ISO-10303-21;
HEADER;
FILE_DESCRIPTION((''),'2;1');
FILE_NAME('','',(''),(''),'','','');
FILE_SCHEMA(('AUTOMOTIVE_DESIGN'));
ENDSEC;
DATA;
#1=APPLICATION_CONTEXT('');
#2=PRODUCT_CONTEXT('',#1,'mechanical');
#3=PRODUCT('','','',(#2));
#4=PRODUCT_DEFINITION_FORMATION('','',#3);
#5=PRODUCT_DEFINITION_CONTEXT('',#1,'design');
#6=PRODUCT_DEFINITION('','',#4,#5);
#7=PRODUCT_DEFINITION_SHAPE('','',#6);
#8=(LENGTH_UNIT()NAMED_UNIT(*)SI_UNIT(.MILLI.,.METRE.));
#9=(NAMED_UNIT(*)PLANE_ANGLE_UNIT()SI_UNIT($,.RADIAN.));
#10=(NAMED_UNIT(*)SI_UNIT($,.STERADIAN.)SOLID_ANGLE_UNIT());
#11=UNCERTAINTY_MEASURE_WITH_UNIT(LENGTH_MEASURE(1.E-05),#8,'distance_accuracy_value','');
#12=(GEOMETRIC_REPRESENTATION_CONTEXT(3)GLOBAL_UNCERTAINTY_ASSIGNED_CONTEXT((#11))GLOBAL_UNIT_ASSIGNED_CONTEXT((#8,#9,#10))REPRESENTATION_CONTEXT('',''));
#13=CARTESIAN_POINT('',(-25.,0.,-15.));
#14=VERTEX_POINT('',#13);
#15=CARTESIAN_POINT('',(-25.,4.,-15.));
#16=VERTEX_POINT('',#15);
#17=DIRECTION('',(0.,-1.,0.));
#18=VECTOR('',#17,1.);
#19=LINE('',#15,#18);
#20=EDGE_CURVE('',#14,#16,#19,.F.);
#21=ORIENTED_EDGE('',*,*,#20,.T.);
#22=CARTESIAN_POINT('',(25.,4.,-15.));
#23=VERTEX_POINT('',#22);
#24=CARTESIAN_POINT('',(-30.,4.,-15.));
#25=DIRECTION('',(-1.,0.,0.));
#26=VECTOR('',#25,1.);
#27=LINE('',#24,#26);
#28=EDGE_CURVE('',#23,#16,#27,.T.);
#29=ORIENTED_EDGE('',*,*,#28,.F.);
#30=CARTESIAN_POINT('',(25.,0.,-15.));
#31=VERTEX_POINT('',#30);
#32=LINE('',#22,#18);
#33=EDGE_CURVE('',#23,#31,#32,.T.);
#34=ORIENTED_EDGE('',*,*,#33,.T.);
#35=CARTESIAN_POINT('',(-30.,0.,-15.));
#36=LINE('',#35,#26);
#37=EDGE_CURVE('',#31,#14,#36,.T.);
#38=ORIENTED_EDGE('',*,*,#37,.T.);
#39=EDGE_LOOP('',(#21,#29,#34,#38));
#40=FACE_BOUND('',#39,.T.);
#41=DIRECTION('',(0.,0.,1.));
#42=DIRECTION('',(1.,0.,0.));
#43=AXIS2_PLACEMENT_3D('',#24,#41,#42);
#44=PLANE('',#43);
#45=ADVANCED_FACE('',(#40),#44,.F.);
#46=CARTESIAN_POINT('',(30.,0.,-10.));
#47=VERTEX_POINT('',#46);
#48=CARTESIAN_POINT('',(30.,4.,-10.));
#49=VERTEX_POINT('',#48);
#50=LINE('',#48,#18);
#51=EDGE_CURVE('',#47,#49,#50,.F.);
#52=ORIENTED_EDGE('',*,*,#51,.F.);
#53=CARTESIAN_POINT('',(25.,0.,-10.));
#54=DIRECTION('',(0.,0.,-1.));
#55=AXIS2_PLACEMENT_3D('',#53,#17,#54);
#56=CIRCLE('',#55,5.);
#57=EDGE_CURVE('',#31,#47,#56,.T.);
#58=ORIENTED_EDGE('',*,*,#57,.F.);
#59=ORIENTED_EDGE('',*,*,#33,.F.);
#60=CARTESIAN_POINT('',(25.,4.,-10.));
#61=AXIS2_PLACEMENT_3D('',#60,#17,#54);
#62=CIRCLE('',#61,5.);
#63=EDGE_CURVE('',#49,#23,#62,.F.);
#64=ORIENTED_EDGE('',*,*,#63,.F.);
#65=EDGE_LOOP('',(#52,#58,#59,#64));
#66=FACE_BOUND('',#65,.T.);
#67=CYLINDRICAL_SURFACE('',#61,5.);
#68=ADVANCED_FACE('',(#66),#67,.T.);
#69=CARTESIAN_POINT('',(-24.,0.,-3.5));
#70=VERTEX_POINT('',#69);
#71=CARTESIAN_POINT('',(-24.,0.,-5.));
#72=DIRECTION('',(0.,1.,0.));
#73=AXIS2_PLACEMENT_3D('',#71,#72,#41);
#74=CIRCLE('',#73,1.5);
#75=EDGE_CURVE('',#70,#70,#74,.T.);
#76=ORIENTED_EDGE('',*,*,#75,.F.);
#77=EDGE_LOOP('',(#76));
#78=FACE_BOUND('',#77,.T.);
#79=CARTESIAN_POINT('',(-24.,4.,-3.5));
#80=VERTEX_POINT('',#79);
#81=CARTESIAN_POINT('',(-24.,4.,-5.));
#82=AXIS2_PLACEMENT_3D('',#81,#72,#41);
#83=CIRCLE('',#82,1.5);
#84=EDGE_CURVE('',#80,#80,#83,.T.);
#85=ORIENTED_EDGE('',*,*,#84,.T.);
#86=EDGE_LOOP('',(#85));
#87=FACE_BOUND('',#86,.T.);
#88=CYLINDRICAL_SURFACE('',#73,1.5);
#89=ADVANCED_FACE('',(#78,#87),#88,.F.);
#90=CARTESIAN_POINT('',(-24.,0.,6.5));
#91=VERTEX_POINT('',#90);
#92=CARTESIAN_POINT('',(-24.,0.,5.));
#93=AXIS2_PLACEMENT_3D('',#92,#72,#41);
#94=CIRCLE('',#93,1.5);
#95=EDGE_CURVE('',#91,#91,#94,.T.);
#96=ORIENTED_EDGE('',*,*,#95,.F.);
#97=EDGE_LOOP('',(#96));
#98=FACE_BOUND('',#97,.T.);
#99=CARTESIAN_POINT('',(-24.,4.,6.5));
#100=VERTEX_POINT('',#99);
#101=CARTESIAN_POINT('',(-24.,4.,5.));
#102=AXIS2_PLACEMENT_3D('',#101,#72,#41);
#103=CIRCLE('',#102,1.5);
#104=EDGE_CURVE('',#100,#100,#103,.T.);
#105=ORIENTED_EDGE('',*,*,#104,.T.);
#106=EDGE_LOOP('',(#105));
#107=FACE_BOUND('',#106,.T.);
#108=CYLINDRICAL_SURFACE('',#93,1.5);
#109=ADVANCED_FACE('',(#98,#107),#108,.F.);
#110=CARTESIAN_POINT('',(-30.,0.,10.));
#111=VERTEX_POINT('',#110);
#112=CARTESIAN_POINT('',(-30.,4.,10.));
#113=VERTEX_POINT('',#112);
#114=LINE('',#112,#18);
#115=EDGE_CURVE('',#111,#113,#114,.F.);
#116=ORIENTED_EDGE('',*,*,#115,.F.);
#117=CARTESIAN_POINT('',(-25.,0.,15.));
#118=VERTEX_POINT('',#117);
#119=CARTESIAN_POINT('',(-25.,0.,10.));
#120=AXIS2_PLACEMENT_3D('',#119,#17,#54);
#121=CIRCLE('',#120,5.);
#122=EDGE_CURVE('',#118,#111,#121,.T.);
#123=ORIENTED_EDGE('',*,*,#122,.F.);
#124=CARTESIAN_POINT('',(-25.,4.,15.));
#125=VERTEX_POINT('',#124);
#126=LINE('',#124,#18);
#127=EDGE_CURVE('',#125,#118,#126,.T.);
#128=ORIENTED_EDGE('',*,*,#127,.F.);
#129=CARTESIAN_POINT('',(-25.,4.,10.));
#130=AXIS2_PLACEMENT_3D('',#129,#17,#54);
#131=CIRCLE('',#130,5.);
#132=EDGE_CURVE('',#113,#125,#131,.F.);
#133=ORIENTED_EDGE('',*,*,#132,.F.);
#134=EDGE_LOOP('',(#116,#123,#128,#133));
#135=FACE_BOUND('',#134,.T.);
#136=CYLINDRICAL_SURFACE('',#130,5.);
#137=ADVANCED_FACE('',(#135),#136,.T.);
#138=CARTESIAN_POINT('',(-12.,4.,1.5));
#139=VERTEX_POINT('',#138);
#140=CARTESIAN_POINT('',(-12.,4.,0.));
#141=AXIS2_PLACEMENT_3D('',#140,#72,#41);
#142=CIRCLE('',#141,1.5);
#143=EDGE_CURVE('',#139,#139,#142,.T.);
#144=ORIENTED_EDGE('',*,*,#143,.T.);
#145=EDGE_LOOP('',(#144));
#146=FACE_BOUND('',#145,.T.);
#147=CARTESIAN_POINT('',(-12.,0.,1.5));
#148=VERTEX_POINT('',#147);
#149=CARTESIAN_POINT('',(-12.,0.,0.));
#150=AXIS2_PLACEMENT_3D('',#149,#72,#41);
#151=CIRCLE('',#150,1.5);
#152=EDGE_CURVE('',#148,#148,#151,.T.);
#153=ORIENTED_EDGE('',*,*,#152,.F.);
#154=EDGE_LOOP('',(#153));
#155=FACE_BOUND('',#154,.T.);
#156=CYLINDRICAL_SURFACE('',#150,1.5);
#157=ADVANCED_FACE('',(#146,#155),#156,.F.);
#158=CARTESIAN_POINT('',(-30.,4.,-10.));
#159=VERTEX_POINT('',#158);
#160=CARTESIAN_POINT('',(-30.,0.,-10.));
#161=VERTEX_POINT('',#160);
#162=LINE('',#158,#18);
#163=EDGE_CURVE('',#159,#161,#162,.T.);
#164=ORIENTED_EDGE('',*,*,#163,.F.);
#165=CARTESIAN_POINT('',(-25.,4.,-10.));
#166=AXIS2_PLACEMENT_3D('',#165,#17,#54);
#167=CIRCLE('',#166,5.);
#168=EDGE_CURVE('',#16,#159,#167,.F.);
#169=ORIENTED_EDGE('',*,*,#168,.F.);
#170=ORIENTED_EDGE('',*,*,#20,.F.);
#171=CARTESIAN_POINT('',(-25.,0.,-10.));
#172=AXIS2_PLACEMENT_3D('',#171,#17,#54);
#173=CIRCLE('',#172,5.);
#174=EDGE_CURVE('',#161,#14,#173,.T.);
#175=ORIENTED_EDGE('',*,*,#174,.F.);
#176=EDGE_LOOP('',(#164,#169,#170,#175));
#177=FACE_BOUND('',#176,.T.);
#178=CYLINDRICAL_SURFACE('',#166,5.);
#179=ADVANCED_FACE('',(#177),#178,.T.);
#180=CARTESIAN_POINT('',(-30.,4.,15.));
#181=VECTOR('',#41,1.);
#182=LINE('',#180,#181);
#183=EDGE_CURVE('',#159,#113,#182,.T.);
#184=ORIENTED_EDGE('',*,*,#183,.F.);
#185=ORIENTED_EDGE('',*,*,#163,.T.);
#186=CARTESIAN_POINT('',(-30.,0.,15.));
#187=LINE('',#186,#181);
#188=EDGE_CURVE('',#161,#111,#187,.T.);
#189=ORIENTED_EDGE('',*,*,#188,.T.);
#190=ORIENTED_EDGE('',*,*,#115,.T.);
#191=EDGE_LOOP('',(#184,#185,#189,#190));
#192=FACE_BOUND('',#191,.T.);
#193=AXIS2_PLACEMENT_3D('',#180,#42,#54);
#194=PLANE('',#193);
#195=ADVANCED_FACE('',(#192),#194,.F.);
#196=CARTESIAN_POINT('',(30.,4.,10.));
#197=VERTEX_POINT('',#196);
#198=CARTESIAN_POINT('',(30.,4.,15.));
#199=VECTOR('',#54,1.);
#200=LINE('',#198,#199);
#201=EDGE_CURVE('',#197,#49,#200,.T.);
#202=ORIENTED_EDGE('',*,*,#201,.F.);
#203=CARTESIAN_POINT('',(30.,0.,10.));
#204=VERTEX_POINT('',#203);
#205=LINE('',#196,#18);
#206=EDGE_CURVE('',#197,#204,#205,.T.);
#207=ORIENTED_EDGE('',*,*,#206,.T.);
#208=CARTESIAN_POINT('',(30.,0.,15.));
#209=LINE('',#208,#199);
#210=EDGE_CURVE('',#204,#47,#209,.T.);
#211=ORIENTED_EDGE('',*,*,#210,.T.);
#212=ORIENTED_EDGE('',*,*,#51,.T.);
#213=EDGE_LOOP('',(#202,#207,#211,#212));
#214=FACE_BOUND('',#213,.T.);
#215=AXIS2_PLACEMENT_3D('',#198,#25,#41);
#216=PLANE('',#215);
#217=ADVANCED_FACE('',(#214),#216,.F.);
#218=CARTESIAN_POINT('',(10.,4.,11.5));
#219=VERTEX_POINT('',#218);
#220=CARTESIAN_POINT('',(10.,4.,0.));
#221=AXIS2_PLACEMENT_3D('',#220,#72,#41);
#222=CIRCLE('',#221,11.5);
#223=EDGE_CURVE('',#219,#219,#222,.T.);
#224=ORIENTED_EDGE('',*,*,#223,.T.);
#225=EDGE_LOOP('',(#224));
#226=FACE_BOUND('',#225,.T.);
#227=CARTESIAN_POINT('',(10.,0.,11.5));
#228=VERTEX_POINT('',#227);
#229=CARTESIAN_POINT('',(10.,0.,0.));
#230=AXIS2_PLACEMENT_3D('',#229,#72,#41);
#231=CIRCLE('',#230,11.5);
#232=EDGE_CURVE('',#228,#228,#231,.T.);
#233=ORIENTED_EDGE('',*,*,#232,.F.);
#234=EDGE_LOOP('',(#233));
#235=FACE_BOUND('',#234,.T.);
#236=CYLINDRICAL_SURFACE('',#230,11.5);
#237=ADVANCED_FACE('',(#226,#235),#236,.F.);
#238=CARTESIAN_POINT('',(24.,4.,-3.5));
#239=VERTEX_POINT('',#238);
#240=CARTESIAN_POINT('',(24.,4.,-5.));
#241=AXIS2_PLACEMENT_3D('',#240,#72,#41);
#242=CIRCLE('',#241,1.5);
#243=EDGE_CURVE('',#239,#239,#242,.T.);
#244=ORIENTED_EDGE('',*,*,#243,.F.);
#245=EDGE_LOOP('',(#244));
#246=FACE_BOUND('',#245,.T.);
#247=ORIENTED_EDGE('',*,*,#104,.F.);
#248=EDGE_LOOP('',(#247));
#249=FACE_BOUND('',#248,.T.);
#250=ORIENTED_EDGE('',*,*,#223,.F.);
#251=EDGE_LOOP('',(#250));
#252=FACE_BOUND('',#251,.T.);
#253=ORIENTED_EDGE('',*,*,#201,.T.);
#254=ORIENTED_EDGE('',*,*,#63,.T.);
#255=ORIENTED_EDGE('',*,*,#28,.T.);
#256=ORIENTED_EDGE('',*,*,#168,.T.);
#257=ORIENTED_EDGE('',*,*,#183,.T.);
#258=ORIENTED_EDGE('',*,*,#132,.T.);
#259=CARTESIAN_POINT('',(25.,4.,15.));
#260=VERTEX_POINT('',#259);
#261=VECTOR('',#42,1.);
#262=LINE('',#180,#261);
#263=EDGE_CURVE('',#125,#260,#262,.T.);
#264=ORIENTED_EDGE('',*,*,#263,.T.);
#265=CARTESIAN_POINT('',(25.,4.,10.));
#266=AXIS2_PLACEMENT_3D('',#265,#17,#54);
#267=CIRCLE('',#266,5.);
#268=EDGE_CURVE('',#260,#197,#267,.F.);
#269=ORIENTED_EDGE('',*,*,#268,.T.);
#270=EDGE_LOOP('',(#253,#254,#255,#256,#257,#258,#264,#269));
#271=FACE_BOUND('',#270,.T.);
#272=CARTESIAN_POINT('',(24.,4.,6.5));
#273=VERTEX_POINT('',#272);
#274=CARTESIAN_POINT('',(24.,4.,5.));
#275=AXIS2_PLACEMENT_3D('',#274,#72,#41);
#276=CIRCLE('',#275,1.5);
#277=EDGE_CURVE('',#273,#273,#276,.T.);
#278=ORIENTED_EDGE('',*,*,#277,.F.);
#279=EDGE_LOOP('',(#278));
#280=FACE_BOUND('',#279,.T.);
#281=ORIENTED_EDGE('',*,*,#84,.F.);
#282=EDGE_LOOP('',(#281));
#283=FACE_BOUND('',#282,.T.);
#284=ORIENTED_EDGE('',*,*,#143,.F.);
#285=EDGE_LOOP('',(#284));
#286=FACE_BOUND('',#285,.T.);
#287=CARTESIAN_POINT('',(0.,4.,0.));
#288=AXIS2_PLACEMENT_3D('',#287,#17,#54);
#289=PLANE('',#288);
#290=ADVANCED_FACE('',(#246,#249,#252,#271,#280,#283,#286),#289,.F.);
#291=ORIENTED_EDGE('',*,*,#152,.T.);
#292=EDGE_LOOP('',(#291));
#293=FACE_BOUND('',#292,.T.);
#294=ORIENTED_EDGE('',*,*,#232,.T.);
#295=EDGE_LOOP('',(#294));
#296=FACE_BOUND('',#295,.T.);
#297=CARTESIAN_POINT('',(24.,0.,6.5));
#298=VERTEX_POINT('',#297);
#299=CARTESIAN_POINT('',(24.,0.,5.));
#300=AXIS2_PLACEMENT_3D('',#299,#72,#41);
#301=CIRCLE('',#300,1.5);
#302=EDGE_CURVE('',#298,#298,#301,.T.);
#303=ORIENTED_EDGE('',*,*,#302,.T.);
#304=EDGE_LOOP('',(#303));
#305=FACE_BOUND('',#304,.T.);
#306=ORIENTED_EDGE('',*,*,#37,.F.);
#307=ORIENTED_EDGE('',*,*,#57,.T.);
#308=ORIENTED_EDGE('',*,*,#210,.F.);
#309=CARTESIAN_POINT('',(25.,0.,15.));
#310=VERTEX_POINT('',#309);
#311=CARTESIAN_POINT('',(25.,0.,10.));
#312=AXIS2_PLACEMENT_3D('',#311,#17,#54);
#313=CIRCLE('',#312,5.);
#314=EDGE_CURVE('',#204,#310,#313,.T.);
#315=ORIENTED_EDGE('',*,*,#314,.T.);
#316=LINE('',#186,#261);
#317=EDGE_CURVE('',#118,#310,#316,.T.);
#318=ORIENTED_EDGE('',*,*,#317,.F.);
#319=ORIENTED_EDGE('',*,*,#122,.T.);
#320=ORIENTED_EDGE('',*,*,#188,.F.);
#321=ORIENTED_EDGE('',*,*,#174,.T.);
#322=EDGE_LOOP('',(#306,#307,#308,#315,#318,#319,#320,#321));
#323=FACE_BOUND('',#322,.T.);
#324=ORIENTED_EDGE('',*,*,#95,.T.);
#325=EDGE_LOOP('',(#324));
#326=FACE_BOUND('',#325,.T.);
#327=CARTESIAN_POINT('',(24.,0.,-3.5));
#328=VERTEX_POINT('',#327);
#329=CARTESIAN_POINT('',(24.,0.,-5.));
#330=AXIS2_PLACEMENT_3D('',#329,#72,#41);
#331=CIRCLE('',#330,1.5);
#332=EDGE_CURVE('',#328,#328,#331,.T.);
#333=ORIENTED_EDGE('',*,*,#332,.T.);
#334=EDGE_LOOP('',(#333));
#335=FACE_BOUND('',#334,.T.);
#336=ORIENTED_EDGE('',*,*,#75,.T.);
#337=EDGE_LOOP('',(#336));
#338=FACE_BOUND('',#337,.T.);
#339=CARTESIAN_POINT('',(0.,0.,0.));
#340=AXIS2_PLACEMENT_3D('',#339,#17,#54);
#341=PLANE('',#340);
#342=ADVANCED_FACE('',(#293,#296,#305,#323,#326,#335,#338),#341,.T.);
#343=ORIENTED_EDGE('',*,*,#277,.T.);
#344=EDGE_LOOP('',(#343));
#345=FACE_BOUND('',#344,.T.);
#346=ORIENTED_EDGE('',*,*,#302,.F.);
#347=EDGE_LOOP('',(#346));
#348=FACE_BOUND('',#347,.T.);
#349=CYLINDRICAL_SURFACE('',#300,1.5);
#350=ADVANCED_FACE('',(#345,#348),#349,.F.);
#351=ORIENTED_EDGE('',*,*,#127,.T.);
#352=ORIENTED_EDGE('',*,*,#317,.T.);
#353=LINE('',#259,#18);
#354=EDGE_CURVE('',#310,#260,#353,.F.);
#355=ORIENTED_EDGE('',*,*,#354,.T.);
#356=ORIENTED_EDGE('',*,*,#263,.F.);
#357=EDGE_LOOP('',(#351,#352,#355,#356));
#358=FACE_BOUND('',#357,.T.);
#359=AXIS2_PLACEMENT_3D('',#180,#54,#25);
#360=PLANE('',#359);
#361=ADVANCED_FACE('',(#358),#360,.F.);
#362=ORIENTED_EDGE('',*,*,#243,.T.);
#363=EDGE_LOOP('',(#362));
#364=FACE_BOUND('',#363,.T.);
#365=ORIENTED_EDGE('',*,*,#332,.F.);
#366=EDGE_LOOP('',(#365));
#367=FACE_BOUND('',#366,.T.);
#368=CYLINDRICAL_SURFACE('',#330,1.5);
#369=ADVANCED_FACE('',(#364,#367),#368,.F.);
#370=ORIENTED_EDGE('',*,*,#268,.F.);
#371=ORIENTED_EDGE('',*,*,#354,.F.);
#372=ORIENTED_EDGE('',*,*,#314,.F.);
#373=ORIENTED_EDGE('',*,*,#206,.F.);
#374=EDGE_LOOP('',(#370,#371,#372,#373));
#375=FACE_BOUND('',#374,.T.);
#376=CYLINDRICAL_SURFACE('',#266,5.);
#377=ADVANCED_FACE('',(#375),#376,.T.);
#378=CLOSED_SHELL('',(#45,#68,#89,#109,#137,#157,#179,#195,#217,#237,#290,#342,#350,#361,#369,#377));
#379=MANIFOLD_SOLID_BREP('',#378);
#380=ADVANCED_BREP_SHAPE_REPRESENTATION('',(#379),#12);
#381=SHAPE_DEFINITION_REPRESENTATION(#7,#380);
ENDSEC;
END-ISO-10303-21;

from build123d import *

# Parameters (mm, degrees)
SKETCH_1_W          = 60
SKETCH_1_H          = 30
EXTRUDE_1_DEPTH     = 4
SKETCH_2_R          = 1.5
CUT_EXTRUDE_1_DEPTH = 4
SKETCH_3_R          = 11.5
CUT_EXTRUDE_2_DEPTH = 4
SKETCH_4_R          = 1.5
CUT_EXTRUDE_3_DEPTH = 4
FILLET_1_R          = 5


with BuildPart() as part:
    # 草图1 → 凸台-拉伸1 (new body)
    with BuildSketch(Plane(origin=(0, 0, 0), x_dir=(1, 0, 0), z_dir=(0, 1, 0))):
        Rectangle(SKETCH_1_W, SKETCH_1_H)
    extrude(amount=EXTRUDE_1_DEPTH)

    # 草图2 → 切除-拉伸1 (cut)
    with BuildSketch(Plane(origin=(0, 4, 0), x_dir=(1, 0, 0), z_dir=(0, 1, 0))):
        with Locations(Location((-24, 5, 0), (0, 0, 270))):
            Circle(SKETCH_2_R)
        with Locations(Location((-24, -5, 0), (0, 0, 270))):
            Circle(SKETCH_2_R)
        with Locations(Location((24, -5, 0), (0, 0, 270))):
            Circle(SKETCH_2_R)
        with Locations(Location((24, 5, 0), (0, 0, 270))):
            Circle(SKETCH_2_R)
    extrude(amount=-CUT_EXTRUDE_1_DEPTH, mode=Mode.SUBTRACT)

    # 草图3 → 切除-拉伸2 (cut)
    with BuildSketch(Plane(origin=(0, 4, 0), x_dir=(1, 0, 0), z_dir=(0, 1, 0))):
        with Locations(Location((10, 0, 0), (0, 0, 270))):
            Circle(SKETCH_3_R)
    extrude(amount=-CUT_EXTRUDE_2_DEPTH, mode=Mode.SUBTRACT)

    # 草图4 → 切除-拉伸3 (cut)
    with BuildSketch(Plane(origin=(0, 4, 0), x_dir=(1, 0, 0), z_dir=(0, 1, 0))):
        with Locations(Location((-12, 0, 0), (0, 0, 270))):
            Circle(SKETCH_4_R)
    extrude(amount=-CUT_EXTRUDE_3_DEPTH, mode=Mode.SUBTRACT)

    # 圆角1
    fillet_1_edges = [part.edges().sort_by_distance(p)[0] for p in [
        (30, 2, 15),
        (-30, 2, 15),
        (-30, 2, -15),
        (30, 2, -15),
    ]]
    fillet(fillet_1_edges, radius=FILLET_1_R)


solid = part.part
